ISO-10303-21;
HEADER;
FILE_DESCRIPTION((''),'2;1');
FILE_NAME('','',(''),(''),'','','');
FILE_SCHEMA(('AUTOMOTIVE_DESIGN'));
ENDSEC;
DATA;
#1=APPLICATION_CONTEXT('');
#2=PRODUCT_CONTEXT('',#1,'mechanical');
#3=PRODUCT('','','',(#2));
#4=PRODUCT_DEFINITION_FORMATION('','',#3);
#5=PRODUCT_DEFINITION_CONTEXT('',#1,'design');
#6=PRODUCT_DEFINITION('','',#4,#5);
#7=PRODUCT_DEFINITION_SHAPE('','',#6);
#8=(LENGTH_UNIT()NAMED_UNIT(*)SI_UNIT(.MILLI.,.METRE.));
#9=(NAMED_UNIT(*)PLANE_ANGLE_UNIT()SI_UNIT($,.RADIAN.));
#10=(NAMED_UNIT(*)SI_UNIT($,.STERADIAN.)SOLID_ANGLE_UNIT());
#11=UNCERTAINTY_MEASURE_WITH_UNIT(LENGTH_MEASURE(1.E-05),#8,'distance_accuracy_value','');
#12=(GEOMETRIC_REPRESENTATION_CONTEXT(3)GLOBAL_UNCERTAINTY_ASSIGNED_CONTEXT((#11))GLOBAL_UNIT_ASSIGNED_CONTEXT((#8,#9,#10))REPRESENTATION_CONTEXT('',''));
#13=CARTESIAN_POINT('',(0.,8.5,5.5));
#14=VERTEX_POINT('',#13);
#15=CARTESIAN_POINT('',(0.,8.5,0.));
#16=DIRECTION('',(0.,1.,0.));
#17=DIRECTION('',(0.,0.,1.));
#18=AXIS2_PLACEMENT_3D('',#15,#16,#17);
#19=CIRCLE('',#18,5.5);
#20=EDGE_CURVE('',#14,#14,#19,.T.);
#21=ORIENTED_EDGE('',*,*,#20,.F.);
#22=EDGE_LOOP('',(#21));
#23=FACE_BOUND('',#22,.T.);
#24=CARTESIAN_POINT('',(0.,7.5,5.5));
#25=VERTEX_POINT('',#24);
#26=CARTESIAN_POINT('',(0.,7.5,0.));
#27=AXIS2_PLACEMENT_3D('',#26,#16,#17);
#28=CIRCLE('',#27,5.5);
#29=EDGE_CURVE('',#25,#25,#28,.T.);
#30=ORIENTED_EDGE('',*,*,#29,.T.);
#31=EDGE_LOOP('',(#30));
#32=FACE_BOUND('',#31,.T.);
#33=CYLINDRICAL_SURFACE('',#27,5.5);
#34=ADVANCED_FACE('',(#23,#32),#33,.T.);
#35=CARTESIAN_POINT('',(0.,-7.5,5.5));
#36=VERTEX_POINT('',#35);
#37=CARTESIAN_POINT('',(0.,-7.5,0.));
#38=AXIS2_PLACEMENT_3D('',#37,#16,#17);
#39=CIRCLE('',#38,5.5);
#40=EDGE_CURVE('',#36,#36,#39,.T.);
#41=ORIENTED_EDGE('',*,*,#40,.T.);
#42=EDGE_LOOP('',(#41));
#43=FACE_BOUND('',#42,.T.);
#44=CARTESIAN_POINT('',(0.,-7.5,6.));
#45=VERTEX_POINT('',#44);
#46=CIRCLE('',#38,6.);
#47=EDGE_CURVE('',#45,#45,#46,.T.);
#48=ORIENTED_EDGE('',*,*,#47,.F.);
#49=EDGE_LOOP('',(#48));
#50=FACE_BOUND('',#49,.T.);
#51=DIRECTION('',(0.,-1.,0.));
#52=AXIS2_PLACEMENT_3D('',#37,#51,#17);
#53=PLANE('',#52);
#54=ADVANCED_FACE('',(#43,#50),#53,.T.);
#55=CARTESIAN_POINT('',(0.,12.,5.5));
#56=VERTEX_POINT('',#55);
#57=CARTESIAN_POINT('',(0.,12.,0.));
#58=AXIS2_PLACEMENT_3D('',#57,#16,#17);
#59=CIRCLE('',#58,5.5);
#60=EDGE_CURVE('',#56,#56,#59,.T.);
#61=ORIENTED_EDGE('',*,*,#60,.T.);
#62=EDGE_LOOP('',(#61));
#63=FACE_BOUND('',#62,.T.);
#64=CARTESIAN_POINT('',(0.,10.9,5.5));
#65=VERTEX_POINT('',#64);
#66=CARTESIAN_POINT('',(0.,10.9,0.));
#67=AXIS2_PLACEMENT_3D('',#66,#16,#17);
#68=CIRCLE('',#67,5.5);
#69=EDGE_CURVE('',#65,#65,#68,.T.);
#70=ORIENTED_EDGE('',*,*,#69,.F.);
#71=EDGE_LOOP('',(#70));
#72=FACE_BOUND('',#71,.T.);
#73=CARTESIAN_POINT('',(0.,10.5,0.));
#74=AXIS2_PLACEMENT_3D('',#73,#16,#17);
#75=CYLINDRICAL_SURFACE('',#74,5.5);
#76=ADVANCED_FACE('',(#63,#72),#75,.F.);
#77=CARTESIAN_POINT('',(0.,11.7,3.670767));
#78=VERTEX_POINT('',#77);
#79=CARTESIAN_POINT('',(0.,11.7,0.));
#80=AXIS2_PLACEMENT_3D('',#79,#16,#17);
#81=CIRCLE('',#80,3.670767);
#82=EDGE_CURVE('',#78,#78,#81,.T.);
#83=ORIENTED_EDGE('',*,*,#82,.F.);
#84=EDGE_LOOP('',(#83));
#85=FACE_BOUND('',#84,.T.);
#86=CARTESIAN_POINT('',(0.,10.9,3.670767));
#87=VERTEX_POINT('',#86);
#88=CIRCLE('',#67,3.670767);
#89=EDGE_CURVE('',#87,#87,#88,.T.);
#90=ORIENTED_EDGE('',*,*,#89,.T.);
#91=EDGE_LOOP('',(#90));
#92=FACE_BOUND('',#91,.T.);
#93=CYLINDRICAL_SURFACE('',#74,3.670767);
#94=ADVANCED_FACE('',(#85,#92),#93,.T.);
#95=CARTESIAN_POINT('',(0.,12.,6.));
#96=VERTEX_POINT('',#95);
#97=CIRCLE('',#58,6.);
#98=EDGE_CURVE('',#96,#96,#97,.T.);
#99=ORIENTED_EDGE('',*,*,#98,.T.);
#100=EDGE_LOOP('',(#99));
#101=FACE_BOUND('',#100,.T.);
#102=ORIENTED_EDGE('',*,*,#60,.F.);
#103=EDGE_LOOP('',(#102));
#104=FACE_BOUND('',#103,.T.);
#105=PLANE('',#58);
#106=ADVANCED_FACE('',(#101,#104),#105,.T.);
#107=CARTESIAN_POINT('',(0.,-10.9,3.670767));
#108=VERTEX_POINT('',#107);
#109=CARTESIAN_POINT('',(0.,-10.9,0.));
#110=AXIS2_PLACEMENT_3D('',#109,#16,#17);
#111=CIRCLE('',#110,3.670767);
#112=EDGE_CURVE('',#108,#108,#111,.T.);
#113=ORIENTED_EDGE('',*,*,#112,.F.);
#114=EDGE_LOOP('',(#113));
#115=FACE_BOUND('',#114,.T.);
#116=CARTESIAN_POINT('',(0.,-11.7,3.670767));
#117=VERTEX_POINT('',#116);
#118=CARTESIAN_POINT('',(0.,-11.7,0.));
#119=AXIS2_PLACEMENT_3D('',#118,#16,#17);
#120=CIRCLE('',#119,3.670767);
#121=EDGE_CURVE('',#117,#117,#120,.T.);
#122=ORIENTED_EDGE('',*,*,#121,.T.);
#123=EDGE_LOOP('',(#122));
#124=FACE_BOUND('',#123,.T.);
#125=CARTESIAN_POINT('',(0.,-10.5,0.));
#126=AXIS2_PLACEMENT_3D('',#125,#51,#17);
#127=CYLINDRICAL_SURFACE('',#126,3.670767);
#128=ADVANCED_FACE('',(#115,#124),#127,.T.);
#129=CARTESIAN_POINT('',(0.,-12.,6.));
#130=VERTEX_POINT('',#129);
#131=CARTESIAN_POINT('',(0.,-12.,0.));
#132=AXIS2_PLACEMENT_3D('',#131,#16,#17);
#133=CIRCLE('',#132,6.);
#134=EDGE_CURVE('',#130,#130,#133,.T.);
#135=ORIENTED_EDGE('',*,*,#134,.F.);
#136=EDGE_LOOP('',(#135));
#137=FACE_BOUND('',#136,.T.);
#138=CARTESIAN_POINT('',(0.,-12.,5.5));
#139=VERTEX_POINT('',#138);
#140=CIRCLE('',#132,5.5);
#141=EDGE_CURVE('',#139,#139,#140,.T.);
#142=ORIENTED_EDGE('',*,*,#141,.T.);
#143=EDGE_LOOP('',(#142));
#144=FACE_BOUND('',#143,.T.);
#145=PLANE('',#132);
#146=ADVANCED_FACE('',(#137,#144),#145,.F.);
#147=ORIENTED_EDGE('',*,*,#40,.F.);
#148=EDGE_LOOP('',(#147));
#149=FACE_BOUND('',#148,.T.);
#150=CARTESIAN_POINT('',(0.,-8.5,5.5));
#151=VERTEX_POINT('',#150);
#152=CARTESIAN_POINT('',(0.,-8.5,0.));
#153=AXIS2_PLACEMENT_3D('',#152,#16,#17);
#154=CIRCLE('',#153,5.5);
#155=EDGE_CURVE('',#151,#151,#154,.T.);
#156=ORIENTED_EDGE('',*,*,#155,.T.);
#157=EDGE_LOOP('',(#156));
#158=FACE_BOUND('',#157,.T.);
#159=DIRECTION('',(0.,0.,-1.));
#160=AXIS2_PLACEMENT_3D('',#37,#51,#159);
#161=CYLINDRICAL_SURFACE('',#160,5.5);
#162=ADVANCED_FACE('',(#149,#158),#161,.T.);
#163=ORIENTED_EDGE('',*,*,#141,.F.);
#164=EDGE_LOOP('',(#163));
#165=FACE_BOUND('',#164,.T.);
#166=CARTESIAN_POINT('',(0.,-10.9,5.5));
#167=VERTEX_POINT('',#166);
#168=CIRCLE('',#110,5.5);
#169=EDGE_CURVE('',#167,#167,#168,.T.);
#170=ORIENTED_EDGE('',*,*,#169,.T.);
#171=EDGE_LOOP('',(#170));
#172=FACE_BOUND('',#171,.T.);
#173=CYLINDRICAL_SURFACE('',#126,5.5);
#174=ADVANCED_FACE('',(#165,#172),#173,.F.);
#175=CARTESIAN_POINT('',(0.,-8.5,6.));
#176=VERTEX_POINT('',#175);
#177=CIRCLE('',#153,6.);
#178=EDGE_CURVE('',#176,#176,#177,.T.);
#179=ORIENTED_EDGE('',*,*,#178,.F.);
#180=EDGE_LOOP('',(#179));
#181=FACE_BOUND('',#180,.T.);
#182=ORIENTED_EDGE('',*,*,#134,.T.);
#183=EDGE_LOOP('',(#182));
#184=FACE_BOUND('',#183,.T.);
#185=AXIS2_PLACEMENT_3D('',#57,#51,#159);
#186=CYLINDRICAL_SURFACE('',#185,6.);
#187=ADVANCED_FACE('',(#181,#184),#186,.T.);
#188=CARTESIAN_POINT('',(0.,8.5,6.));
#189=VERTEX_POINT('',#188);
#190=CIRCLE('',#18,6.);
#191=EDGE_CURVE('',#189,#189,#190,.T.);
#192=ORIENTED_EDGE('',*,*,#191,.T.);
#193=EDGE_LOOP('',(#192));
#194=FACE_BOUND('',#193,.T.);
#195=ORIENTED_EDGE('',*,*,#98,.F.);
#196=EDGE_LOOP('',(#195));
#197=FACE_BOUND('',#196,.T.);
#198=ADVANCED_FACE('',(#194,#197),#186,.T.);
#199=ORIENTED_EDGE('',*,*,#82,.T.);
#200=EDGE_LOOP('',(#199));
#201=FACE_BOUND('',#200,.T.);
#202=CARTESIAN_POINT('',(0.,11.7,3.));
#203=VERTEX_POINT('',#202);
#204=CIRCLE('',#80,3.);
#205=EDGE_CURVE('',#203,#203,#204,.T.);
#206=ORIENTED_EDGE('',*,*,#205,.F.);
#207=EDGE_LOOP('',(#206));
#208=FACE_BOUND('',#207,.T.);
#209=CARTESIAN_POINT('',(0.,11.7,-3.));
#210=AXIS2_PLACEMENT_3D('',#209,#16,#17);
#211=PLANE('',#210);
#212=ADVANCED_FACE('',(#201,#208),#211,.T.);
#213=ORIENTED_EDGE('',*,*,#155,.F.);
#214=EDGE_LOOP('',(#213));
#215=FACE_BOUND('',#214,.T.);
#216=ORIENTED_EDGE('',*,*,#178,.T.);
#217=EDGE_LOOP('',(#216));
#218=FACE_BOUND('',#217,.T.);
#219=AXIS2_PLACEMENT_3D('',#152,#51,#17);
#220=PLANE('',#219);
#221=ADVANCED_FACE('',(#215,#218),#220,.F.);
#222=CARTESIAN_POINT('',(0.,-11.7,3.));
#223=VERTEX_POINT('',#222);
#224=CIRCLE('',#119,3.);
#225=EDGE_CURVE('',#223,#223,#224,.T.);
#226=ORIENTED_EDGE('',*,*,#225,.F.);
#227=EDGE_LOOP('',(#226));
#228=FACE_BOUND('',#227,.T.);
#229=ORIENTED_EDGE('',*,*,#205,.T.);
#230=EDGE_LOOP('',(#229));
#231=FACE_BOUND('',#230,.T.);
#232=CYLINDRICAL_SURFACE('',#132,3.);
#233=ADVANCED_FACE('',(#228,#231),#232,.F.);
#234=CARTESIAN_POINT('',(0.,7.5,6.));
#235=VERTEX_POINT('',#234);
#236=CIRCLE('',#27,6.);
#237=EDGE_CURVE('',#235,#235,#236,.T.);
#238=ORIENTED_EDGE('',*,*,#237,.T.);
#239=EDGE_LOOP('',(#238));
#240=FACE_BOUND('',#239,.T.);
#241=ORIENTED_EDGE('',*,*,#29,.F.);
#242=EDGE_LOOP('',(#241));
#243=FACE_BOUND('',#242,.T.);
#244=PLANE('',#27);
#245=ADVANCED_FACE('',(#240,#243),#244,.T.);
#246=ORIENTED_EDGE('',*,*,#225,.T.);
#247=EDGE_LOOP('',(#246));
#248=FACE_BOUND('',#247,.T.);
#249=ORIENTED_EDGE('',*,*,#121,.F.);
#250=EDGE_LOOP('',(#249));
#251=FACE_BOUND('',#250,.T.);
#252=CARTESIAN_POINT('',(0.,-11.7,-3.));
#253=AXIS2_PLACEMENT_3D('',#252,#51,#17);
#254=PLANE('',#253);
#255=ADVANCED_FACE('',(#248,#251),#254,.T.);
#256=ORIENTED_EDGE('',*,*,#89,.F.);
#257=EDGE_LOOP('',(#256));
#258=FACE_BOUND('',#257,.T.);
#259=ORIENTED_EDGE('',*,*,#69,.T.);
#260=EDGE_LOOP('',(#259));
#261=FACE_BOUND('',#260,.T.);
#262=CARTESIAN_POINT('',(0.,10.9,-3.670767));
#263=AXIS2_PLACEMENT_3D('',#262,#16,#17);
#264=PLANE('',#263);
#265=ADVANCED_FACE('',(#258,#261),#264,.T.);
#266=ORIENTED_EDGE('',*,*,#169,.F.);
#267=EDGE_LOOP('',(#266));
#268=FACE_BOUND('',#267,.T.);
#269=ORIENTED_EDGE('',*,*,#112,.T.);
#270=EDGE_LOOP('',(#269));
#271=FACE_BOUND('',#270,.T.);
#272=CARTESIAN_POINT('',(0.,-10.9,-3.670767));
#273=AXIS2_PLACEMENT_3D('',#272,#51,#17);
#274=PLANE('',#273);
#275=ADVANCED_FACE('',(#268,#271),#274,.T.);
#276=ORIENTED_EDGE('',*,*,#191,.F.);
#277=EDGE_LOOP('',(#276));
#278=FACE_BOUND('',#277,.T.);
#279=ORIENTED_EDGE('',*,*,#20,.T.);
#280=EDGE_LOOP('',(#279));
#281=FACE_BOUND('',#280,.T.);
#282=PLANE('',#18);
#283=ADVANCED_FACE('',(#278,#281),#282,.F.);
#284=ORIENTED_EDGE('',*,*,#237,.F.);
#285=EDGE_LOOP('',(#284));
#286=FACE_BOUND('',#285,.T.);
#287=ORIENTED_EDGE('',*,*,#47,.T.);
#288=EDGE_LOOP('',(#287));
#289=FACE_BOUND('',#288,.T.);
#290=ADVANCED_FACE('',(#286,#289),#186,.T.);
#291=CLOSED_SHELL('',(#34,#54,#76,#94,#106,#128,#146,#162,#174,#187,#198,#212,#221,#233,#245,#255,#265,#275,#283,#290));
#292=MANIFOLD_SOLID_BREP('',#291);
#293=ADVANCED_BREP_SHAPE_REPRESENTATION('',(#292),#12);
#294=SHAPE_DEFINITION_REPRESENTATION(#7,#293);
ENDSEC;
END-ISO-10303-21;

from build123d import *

# Parameters (mm, degrees)
SKETCH1_R           = 6
BOSS_EXTRUDE1_DEPTH = 12
SKETCH2_R           = 3
CUT_EXTRUDE1_DEPTH  = 24
CUT_EXTRUDE2_START  = -3.5
SKETCH3_R           = 6
SKETCH3_R_2         = 5.5
CUT_EXTRUDE2_DEPTH  = 1


with BuildPart() as part:
    # Sketch1 → Boss-Extrude1 (new, symmetric)
    with BuildSketch(Plane(origin=(0, 0, 0), x_dir=(1, 0, 0), z_dir=(0, 1, 0))):
        with Locations(Location((0, 0, 0), (0, 0, 270))):
            Circle(SKETCH1_R)
    extrude(amount=BOSS_EXTRUDE1_DEPTH, both=True)

    # Sketch2 → Cut-Extrude1 (cut)
    with BuildSketch(Plane(origin=(0, 12, 0), x_dir=(1, 0, 0), z_dir=(0, 1, 0))):
        with Locations(Location((0, 0, 0), (0, 0, 270))):
            Circle(SKETCH2_R)
    extrude(amount=-CUT_EXTRUDE1_DEPTH, mode=Mode.SUBTRACT)

    # Sketch3 → Cut-Extrude2 (cut)
    with BuildSketch(Plane(origin=(0, 12, 0), x_dir=(1, 0, 0), z_dir=(0, 1, 0)).offset(CUT_EXTRUDE2_START)):
        with Locations(Location((0, 0, 0), (0, 0, 270))):
            Circle(SKETCH3_R)
        with Locations(Location((0, 0, 0), (0, 0, 270))):
            Circle(SKETCH3_R_2, mode=Mode.SUBTRACT)
    cut_extrude2 = extrude(amount=-CUT_EXTRUDE2_DEPTH, mode=Mode.SUBTRACT)

    # Sketch4 → Cut-Revolve1 (revolve, cut)
    with BuildSketch(Plane(origin=(0, 0, 0), x_dir=(0, 0, -1), z_dir=(1, 0, 0)), mode=Mode.PRIVATE) as cut_revolve1_sk:
        Polygon((3, 12), (3, 11.7), (3.670767282, 11.7), (3.670767282, 10.9), (5.5, 10.9), (5.5, 12), align=None)
    cut_revolve1 = revolve(cut_revolve1_sk.sketch.rotate(Axis((0, 10.5, 0), (0, -1, 0)), 180), axis=Axis((0, 10.5, 0), (0, -1, 0)), mode=Mode.SUBTRACT)

    # Mirror1: Cut-Extrude2, Cut-Revolve1 across plane
    add(cut_extrude2.mirror(Plane.ZX), mode=Mode.SUBTRACT)
    add(cut_revolve1.mirror(Plane.ZX), mode=Mode.SUBTRACT)


solid = part.part
